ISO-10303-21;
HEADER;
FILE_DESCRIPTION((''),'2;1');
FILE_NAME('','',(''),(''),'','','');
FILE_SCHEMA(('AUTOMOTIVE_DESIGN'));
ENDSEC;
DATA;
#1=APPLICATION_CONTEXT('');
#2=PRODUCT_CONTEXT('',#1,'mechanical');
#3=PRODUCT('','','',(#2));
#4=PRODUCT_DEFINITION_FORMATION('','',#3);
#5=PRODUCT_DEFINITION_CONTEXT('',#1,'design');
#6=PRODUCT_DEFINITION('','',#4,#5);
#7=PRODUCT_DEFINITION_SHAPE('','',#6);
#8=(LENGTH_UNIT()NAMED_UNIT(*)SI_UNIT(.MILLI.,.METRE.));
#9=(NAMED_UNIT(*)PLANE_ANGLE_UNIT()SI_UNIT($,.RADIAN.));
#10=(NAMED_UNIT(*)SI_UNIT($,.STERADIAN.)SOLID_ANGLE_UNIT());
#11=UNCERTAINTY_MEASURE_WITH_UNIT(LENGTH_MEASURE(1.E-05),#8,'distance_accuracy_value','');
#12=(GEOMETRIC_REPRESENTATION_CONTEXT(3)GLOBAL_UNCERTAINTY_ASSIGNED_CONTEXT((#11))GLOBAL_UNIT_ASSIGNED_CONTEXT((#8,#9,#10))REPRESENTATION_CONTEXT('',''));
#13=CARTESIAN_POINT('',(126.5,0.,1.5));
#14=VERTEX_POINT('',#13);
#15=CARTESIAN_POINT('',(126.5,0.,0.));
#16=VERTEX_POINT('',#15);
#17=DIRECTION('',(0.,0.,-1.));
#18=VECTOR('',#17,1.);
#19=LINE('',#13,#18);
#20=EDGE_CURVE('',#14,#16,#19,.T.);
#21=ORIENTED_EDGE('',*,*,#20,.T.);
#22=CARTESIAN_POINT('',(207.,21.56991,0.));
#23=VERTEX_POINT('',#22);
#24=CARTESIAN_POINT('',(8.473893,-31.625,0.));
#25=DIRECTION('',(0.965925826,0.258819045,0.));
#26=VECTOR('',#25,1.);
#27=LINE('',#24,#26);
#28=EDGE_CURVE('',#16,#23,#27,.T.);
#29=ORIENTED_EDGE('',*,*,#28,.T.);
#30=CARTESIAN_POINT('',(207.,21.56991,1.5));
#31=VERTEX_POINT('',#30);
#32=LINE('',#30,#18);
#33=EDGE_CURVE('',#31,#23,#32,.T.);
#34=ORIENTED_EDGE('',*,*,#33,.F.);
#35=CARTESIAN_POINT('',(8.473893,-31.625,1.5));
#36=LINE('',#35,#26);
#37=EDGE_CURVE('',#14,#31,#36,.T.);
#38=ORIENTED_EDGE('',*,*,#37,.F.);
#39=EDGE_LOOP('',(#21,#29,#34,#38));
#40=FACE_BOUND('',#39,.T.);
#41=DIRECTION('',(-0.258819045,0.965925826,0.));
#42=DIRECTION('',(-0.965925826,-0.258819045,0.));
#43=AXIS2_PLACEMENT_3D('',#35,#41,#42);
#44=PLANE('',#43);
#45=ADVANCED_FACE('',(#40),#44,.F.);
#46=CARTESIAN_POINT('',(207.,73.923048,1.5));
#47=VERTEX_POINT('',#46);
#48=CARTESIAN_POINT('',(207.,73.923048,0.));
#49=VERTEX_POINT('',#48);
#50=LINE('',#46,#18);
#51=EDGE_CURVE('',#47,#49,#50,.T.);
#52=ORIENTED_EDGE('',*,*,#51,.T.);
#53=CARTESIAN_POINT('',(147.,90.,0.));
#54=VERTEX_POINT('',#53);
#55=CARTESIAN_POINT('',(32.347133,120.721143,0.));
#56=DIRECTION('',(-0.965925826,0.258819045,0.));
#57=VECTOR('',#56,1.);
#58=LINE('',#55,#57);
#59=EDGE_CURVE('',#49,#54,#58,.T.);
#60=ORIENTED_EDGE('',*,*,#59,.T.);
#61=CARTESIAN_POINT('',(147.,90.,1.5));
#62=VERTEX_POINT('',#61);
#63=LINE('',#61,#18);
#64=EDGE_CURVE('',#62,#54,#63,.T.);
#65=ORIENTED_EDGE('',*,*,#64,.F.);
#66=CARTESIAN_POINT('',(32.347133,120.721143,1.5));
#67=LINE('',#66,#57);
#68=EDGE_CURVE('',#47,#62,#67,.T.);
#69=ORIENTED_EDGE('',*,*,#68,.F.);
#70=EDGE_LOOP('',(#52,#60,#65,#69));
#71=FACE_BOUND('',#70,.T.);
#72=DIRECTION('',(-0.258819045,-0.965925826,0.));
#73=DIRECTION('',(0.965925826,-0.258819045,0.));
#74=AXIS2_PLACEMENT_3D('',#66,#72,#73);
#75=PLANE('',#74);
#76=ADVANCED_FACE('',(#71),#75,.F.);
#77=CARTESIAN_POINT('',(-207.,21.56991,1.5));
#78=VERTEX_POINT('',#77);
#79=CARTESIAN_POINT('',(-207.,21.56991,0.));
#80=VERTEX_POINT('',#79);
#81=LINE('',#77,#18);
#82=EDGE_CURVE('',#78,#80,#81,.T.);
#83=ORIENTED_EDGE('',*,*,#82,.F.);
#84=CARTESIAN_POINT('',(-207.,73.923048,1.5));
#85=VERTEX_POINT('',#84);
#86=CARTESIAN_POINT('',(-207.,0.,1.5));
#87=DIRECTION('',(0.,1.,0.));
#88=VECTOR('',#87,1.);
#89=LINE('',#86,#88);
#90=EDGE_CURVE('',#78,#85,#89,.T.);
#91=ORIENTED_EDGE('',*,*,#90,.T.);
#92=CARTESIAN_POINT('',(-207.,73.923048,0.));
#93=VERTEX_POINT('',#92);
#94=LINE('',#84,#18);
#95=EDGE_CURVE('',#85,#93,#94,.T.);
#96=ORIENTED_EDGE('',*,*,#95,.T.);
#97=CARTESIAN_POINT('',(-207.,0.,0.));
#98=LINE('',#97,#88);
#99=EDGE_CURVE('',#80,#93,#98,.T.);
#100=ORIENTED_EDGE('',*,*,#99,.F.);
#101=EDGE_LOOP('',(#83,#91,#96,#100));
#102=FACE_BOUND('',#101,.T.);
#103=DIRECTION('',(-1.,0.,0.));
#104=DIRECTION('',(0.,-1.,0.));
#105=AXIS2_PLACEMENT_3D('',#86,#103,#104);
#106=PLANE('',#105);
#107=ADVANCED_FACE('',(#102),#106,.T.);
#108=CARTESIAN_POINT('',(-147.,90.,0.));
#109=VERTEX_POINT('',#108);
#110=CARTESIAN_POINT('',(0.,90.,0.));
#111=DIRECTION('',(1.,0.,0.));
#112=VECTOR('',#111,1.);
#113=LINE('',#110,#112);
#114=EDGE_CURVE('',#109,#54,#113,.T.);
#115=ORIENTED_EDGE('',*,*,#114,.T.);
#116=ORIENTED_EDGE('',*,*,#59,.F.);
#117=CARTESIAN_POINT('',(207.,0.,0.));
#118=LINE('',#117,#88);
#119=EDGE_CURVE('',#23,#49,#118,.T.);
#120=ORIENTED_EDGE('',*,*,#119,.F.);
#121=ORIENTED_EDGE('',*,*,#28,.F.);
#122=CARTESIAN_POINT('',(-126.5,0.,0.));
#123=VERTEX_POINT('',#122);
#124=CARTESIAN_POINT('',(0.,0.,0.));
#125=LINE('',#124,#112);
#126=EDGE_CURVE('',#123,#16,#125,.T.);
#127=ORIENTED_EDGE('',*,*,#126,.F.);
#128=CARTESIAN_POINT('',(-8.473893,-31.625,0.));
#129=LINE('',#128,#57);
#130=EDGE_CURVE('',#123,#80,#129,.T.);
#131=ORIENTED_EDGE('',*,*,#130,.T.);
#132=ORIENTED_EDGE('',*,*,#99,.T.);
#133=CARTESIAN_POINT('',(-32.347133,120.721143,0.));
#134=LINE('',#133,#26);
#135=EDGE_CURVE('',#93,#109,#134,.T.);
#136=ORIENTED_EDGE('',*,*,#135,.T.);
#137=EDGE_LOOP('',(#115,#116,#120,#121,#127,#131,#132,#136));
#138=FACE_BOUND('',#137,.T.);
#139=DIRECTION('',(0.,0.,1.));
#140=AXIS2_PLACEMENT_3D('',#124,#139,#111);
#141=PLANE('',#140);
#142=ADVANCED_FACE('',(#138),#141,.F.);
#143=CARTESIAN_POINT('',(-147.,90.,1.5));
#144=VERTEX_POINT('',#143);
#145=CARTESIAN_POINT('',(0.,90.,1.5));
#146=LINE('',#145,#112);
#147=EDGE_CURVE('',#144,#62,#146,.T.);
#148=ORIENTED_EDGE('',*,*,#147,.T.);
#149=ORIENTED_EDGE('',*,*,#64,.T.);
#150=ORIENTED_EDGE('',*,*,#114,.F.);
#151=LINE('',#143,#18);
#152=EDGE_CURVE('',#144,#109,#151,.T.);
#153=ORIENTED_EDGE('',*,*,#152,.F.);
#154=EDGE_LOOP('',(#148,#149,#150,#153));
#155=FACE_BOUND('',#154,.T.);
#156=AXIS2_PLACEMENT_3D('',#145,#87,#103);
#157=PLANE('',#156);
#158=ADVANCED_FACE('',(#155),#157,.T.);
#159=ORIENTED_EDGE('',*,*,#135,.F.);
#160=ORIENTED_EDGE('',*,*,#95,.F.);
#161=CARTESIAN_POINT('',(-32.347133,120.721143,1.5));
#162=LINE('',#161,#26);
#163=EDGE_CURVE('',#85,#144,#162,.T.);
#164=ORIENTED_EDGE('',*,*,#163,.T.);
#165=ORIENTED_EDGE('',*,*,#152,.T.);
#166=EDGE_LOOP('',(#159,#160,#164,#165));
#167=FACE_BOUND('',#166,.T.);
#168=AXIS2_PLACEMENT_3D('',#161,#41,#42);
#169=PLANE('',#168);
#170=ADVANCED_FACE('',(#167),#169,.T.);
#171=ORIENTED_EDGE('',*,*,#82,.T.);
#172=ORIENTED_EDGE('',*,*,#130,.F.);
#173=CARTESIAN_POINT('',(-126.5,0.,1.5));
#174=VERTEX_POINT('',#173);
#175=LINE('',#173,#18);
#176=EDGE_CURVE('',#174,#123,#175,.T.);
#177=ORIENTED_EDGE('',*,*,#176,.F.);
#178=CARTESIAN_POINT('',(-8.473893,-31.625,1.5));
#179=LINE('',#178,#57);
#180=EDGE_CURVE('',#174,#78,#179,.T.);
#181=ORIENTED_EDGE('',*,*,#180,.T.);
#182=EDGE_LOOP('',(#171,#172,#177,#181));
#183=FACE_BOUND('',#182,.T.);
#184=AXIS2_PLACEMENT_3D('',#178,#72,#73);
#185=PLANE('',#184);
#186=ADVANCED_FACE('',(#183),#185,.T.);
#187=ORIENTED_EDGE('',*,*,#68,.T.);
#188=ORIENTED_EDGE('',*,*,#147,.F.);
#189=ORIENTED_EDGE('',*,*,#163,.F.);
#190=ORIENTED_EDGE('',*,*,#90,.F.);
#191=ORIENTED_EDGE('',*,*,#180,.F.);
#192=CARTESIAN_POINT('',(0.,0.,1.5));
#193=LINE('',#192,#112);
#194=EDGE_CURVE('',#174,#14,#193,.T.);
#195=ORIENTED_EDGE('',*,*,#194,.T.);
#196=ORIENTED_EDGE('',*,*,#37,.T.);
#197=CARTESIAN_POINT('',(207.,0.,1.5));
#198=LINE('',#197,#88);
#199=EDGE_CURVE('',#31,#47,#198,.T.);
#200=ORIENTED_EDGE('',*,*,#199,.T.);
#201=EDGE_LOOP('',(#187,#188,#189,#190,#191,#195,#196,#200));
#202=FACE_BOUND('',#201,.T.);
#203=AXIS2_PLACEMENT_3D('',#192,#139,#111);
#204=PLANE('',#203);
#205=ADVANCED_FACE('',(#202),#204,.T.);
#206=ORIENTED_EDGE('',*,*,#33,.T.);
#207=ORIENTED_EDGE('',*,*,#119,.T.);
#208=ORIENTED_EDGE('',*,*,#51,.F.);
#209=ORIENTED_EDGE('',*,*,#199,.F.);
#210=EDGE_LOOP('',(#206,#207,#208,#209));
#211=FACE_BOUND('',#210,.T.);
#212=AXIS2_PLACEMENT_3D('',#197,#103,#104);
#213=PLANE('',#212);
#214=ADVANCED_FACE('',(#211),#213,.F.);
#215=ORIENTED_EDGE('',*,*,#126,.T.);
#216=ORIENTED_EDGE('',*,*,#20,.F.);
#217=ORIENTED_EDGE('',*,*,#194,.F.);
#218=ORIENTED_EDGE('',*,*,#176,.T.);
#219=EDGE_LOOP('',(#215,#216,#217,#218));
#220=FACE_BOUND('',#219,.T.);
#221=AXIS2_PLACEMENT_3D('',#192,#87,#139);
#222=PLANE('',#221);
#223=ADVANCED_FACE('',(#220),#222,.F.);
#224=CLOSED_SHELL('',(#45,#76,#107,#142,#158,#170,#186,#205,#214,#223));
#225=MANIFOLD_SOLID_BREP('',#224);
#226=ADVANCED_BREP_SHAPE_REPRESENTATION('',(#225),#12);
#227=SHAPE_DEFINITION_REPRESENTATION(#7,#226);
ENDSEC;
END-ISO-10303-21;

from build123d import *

# Parameters (mm, degrees)
AUFSATZ_LINEAR_AUSTRAGEN1_DEPTH = 1.5


with BuildPart() as part:
    # Skizze1 → Aufsatz-Linear austragen1 (new body)
    with BuildSketch(Plane.XY):
        Polygon((-147, 90), (-126.5, 0), (126.5, 0), (147, 90), align=None)
        Polygon((-207, 21.569909991), (-126.5, 0), (-147, 90), (-207, 73.923048454), align=None)
        Polygon((147, 90), (126.5, 0), (207, 21.569909991), (207, 73.923048454), align=None)
    extrude(amount=AUFSATZ_LINEAR_AUSTRAGEN1_DEPTH)


solid = part.part
